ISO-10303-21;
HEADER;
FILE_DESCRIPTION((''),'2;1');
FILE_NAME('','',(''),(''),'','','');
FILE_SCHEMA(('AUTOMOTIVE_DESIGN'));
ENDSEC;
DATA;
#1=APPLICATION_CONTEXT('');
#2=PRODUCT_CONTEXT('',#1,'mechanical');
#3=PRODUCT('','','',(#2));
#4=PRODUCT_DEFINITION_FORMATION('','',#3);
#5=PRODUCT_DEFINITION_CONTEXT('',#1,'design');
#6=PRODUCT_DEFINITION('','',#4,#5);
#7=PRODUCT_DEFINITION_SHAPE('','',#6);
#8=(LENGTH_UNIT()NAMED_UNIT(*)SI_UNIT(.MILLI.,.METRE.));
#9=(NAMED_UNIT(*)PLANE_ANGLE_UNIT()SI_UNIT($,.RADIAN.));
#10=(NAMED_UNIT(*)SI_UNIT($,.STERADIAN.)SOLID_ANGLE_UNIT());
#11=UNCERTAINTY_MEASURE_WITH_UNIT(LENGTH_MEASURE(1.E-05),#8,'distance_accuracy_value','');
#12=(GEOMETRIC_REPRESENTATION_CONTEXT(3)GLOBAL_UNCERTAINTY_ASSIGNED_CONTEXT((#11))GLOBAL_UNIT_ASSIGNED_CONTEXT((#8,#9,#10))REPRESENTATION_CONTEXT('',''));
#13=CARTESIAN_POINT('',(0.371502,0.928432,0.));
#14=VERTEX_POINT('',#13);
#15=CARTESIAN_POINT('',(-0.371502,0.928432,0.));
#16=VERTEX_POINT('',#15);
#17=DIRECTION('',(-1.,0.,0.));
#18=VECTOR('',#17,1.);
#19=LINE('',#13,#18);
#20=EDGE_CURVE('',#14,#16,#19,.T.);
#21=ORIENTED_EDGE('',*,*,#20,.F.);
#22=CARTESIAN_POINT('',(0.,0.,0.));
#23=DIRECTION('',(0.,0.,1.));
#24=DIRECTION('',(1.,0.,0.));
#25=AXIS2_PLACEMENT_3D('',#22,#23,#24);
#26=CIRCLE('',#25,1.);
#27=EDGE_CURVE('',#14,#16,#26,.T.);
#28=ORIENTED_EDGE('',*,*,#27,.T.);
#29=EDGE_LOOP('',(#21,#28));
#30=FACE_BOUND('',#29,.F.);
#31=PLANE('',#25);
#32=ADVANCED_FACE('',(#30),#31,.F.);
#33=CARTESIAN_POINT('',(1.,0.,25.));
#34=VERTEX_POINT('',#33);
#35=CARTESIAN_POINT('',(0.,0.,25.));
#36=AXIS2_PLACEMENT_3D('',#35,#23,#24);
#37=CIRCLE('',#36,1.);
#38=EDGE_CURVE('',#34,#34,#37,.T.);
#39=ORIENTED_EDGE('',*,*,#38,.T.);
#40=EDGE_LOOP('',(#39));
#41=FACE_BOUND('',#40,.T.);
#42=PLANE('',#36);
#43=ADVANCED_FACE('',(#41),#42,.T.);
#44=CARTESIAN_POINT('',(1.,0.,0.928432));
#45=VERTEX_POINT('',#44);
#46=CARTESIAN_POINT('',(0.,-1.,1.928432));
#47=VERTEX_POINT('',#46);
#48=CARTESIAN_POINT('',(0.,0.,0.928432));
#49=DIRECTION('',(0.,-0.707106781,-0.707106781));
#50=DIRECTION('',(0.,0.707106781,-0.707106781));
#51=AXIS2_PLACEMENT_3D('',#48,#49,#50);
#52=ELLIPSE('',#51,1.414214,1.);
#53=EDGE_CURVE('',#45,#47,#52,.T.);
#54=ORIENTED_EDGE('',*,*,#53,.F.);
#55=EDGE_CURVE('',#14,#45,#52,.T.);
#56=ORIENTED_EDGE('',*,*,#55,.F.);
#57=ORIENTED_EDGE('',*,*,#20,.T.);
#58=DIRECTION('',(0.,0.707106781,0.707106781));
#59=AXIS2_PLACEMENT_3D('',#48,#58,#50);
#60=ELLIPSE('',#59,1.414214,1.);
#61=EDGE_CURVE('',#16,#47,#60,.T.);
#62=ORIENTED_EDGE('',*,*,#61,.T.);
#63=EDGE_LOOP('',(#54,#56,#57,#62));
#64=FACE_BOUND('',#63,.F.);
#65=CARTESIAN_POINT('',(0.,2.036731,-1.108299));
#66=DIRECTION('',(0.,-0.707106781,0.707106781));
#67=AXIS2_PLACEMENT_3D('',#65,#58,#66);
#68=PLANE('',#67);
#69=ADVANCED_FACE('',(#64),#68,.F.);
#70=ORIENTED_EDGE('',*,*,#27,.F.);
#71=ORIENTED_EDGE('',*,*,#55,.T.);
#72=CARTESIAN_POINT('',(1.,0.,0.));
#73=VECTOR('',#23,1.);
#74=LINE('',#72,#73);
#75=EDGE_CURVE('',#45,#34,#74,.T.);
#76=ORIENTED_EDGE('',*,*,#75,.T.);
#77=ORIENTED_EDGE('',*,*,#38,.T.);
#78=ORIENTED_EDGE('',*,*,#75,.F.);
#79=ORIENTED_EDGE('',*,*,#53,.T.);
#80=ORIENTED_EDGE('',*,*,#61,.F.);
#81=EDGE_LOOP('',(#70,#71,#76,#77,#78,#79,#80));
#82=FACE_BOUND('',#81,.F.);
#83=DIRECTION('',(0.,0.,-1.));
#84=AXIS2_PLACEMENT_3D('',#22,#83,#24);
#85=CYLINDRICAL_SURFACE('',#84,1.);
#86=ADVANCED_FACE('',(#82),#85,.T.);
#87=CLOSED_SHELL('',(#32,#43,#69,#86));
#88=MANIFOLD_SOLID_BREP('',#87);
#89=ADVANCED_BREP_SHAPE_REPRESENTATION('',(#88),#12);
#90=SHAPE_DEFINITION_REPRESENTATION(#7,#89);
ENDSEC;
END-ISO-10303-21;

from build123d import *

# Parameters (mm, degrees)
F0_R          = 1
F1_DEPTH      = 25
F3_DEPTH      = 25
F3_DEPTH_BACK = 25


with BuildPart() as f1:
    # F0 (on Top) → F1 (new body)
    with BuildSketch(Plane.XY):
        Circle(F0_R)
    extrude(amount=F1_DEPTH)

    # F2 (on Right) → F3 (cut, two sides)
    with BuildSketch(Plane.YZ) as f3_sk:
        Polygon((-1.3998680515, -1.1082989778), (2.03673096, -1.1082989778), (-1.3998680515, 2.3283000337), align=None)
    extrude(amount=-F3_DEPTH, mode=Mode.SUBTRACT)
    extrude(f3_sk.sketch, amount=F3_DEPTH_BACK, mode=Mode.SUBTRACT)


solid = f1.part
